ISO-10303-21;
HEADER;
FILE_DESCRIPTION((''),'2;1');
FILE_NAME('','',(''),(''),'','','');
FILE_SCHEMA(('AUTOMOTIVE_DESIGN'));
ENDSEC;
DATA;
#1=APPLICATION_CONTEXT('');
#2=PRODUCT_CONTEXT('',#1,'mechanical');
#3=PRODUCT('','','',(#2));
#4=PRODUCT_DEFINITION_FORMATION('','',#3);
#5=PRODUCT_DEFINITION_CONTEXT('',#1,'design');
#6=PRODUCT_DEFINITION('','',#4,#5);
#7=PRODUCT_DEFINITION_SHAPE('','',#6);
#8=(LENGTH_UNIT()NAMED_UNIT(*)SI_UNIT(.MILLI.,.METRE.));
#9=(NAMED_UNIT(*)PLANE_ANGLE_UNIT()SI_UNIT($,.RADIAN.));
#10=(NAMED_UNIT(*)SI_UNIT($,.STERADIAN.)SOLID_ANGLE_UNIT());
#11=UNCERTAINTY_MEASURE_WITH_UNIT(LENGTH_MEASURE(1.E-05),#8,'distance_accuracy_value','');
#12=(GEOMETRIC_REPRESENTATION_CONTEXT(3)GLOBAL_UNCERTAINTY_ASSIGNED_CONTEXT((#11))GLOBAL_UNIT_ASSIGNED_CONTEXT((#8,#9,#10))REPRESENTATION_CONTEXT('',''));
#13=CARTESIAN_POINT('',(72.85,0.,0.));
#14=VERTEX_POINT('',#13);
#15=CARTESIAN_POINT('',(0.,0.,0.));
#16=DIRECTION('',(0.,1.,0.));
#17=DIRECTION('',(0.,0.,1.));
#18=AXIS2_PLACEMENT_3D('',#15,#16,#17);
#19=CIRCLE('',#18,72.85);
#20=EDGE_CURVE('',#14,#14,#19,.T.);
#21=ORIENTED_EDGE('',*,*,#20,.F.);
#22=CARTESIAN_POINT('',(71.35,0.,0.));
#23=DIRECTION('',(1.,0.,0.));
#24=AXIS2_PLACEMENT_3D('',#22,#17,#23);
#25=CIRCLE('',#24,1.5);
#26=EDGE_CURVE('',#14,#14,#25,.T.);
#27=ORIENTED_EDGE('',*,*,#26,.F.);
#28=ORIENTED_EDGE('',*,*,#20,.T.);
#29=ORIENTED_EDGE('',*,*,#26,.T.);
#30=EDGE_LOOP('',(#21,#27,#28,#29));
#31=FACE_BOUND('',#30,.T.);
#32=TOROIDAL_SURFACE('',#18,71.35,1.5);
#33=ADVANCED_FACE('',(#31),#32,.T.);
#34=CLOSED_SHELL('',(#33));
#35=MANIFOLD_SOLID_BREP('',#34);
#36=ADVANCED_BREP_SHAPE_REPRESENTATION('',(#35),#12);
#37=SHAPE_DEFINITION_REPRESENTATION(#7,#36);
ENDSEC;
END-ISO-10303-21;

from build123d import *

# Parameters (mm, degrees)
SKETCH5_R = 1.5


with BuildPart() as part:
    # Sweep1: sweep along a path in Sketch3
    with BuildLine(Plane(origin=(0, 0, 0), x_dir=(1, 0, 0), z_dir=(0, 1, 0))) as sweep1_path:
        CenterArc((0, 0), 71.35, 0, 360)
    # Sketch5 → Sweep1 (sweep)
    with BuildSketch(Plane.XY):
        with Locations((71.35, 0)):
            Circle(SKETCH5_R)
    sweep(path=sweep1_path.line)


solid = part.part
